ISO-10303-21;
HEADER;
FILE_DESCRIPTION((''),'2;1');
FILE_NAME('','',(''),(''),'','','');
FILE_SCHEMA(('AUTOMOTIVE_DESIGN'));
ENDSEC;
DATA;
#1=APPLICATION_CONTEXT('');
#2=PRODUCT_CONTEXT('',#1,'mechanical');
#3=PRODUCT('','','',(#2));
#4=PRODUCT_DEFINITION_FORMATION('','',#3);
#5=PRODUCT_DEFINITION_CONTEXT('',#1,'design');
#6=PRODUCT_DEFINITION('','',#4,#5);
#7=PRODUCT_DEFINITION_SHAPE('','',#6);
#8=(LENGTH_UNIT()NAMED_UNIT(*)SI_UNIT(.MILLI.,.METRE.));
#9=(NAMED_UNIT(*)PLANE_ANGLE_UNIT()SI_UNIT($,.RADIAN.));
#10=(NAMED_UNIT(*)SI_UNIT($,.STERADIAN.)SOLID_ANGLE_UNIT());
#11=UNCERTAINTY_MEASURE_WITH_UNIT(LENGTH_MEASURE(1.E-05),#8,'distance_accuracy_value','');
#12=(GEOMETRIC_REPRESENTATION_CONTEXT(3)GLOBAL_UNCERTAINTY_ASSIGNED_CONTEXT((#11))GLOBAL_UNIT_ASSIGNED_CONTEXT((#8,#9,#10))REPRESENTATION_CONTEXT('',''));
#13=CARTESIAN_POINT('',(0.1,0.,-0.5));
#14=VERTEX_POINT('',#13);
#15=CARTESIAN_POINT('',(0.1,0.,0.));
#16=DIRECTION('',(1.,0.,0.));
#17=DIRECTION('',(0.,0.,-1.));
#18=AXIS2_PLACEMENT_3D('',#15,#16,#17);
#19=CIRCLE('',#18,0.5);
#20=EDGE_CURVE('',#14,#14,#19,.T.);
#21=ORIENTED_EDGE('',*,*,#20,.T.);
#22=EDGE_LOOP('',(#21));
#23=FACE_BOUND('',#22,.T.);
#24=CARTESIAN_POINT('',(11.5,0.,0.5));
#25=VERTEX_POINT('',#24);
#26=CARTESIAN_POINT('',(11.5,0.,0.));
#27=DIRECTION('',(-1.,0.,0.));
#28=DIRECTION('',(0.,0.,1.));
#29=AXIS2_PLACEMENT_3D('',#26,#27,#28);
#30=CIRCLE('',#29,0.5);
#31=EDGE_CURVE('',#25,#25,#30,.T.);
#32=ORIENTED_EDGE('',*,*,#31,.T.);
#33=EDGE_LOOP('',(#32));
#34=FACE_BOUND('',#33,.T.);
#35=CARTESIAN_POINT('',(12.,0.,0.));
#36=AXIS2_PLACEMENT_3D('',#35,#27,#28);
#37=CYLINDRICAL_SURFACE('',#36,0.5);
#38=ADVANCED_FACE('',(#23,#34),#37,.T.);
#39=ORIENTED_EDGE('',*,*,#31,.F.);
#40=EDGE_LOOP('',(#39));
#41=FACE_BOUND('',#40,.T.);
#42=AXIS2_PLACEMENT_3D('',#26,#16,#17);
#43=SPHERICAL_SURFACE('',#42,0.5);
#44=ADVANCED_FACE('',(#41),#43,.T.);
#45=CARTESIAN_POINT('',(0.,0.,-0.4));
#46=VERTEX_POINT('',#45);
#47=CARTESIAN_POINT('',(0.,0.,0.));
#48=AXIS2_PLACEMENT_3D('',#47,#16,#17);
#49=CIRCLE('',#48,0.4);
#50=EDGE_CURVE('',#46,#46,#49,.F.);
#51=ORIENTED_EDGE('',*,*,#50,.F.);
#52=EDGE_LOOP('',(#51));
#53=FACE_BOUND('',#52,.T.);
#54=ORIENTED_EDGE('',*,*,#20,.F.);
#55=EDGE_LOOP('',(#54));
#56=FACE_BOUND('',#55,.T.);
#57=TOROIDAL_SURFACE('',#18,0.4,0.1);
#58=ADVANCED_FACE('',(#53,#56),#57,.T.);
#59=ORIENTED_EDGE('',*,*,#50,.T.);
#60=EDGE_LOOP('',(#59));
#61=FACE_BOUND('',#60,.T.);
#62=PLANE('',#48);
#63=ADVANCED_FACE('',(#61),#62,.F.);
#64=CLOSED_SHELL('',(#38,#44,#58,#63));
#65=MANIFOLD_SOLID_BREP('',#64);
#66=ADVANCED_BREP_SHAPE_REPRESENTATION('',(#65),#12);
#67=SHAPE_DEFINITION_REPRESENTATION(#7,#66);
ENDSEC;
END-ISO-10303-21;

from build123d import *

# Parameters (mm, degrees)
ESBO_O1_R                = 0.5
RESSALTO_EXTRUS_O1_DEPTH = 12
FILETE5_R                = 0.5
FILETE6_R                = 0.1


with BuildPart() as part:
    # Esboço1 → Ressalto-extrusão1 (new body)
    with BuildSketch(Plane(origin=(0, 0, 0), x_dir=(0, 0, -1), z_dir=(1, 0, 0))):
        Circle(ESBO_O1_R)
    extrude(amount=RESSALTO_EXTRUS_O1_DEPTH)

    # Filete5
    filete5_edges = [part.edges().sort_by_distance(p)[0] for p in [
        (12, 0, 0.5),
    ]]
    fillet(filete5_edges, radius=FILETE5_R)

    # Filete6
    filete6_edges = [part.edges().sort_by_distance(p)[0] for p in [
        (0, 0, 0.5),
    ]]
    fillet(filete6_edges, radius=FILETE6_R)


solid = part.part
